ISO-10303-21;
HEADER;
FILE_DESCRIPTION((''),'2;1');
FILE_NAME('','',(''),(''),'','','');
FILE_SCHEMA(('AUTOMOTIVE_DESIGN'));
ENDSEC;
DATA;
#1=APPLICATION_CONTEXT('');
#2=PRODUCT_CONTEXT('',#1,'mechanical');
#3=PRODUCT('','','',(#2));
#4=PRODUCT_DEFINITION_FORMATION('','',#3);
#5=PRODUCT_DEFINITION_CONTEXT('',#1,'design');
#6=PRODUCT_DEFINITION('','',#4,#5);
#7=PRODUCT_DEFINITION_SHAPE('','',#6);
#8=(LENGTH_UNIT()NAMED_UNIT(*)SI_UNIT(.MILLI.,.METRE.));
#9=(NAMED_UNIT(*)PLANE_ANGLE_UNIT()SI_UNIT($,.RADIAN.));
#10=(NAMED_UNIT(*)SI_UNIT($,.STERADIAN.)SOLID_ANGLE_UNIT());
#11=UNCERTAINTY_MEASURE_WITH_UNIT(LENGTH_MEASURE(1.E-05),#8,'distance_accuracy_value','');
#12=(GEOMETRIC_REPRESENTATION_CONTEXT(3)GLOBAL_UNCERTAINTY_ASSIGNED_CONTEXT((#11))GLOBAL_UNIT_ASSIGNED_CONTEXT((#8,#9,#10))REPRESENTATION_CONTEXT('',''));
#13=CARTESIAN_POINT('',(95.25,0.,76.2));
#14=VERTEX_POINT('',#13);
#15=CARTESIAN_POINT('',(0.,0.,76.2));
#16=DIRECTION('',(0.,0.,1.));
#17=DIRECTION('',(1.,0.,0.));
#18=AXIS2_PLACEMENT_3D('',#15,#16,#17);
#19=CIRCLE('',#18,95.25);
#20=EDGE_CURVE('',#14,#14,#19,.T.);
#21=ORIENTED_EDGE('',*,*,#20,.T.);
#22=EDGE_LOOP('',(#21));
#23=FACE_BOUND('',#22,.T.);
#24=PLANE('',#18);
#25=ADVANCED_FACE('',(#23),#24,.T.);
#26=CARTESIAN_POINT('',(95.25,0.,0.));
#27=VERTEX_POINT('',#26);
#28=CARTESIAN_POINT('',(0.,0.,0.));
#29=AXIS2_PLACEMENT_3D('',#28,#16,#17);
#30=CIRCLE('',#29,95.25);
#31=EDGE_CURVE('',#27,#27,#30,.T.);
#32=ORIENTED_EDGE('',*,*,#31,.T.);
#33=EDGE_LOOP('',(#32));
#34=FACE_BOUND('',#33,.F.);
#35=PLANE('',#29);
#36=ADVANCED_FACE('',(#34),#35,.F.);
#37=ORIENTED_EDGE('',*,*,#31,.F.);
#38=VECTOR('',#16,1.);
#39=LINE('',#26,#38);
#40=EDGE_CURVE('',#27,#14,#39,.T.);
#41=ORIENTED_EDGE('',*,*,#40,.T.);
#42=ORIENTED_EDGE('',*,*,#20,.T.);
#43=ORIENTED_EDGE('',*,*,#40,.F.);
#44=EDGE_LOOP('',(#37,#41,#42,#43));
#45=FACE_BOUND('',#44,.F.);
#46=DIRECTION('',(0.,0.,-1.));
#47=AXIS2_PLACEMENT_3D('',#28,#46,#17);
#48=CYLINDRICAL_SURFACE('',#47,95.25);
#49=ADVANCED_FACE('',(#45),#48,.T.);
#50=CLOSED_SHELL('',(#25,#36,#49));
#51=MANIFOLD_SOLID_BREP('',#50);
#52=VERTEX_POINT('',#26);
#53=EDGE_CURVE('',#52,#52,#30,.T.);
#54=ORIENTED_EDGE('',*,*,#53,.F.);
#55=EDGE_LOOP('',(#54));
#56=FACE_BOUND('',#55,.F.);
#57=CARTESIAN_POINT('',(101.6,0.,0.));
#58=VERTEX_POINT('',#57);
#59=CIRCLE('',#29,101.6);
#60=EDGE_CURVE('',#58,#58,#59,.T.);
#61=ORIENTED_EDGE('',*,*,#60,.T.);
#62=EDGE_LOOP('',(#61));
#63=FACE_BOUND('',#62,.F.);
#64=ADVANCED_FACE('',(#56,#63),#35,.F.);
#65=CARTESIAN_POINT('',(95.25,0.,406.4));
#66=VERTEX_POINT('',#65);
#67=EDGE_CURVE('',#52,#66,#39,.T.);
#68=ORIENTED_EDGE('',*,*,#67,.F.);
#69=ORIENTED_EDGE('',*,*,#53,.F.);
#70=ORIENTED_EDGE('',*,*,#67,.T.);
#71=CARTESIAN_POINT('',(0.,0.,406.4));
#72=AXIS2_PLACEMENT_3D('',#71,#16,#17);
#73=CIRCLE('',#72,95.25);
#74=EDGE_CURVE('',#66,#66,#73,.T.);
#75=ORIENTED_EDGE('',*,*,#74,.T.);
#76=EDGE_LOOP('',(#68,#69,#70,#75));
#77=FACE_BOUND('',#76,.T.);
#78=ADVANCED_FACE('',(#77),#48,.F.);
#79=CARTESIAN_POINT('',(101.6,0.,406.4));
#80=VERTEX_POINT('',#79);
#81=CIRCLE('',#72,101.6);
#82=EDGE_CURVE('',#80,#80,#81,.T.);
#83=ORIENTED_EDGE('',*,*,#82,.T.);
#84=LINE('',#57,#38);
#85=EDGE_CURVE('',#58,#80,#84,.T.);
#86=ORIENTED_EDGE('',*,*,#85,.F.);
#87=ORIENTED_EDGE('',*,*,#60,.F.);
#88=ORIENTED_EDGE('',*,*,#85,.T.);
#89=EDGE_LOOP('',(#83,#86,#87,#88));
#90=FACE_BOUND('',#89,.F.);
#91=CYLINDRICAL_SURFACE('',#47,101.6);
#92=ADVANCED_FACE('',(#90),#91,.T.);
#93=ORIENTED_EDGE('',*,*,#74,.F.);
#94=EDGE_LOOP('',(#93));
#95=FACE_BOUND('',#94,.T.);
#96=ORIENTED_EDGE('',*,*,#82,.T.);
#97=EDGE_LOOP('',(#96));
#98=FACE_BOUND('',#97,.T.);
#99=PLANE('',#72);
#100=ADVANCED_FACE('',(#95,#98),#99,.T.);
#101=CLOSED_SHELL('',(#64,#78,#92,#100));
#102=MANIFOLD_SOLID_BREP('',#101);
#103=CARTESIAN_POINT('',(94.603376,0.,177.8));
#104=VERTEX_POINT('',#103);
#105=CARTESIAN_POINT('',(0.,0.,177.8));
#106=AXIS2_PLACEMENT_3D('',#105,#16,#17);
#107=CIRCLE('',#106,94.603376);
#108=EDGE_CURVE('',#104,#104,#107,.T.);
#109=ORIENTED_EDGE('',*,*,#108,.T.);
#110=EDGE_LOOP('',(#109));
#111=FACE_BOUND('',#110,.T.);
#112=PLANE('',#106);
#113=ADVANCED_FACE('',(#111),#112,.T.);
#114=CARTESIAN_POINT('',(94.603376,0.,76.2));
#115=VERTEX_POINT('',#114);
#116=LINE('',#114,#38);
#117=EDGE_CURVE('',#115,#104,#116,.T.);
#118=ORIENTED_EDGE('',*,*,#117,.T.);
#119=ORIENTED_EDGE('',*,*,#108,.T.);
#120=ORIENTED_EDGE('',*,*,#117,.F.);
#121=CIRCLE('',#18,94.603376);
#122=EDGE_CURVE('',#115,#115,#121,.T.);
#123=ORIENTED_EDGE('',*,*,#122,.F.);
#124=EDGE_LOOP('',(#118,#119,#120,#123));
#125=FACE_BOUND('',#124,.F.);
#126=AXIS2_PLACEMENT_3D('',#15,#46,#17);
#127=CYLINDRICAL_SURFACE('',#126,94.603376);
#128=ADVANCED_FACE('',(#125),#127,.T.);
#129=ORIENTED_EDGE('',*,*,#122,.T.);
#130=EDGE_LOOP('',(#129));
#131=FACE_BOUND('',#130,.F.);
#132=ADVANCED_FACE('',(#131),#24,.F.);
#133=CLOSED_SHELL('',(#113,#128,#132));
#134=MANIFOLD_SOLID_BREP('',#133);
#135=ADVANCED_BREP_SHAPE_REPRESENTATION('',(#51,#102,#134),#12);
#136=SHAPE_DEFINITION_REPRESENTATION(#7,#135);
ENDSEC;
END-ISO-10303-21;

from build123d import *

# Parameters (mm, degrees)
F0_R     = 101.6
F0_R_2   = 95.25
F1_DEPTH = 406.4
F2_R     = 95.25
F3_DEPTH = 76.2
F4_R     = 94.603376
F5_DEPTH = 101.6


with BuildPart() as f1:
    # F0 (on Top) → F1 (new body)
    with BuildSketch(Plane.XY):
        Circle(F0_R)
        Circle(F0_R_2, mode=Mode.SUBTRACT)
    extrude(amount=F1_DEPTH)


with BuildPart() as f3:
    # F2 (on Top) → F3 (new body)
    with BuildSketch(Plane.XY):
        Circle(F2_R)
    extrude(amount=F3_DEPTH)


with BuildPart() as f5:
    # F4 (on face) → F5 (new body)
    with BuildSketch(Plane.XY.offset(76.2)):
        Circle(F4_R)
    extrude(amount=F5_DEPTH)


solid = Compound([f1.part, f3.part, f5.part])
